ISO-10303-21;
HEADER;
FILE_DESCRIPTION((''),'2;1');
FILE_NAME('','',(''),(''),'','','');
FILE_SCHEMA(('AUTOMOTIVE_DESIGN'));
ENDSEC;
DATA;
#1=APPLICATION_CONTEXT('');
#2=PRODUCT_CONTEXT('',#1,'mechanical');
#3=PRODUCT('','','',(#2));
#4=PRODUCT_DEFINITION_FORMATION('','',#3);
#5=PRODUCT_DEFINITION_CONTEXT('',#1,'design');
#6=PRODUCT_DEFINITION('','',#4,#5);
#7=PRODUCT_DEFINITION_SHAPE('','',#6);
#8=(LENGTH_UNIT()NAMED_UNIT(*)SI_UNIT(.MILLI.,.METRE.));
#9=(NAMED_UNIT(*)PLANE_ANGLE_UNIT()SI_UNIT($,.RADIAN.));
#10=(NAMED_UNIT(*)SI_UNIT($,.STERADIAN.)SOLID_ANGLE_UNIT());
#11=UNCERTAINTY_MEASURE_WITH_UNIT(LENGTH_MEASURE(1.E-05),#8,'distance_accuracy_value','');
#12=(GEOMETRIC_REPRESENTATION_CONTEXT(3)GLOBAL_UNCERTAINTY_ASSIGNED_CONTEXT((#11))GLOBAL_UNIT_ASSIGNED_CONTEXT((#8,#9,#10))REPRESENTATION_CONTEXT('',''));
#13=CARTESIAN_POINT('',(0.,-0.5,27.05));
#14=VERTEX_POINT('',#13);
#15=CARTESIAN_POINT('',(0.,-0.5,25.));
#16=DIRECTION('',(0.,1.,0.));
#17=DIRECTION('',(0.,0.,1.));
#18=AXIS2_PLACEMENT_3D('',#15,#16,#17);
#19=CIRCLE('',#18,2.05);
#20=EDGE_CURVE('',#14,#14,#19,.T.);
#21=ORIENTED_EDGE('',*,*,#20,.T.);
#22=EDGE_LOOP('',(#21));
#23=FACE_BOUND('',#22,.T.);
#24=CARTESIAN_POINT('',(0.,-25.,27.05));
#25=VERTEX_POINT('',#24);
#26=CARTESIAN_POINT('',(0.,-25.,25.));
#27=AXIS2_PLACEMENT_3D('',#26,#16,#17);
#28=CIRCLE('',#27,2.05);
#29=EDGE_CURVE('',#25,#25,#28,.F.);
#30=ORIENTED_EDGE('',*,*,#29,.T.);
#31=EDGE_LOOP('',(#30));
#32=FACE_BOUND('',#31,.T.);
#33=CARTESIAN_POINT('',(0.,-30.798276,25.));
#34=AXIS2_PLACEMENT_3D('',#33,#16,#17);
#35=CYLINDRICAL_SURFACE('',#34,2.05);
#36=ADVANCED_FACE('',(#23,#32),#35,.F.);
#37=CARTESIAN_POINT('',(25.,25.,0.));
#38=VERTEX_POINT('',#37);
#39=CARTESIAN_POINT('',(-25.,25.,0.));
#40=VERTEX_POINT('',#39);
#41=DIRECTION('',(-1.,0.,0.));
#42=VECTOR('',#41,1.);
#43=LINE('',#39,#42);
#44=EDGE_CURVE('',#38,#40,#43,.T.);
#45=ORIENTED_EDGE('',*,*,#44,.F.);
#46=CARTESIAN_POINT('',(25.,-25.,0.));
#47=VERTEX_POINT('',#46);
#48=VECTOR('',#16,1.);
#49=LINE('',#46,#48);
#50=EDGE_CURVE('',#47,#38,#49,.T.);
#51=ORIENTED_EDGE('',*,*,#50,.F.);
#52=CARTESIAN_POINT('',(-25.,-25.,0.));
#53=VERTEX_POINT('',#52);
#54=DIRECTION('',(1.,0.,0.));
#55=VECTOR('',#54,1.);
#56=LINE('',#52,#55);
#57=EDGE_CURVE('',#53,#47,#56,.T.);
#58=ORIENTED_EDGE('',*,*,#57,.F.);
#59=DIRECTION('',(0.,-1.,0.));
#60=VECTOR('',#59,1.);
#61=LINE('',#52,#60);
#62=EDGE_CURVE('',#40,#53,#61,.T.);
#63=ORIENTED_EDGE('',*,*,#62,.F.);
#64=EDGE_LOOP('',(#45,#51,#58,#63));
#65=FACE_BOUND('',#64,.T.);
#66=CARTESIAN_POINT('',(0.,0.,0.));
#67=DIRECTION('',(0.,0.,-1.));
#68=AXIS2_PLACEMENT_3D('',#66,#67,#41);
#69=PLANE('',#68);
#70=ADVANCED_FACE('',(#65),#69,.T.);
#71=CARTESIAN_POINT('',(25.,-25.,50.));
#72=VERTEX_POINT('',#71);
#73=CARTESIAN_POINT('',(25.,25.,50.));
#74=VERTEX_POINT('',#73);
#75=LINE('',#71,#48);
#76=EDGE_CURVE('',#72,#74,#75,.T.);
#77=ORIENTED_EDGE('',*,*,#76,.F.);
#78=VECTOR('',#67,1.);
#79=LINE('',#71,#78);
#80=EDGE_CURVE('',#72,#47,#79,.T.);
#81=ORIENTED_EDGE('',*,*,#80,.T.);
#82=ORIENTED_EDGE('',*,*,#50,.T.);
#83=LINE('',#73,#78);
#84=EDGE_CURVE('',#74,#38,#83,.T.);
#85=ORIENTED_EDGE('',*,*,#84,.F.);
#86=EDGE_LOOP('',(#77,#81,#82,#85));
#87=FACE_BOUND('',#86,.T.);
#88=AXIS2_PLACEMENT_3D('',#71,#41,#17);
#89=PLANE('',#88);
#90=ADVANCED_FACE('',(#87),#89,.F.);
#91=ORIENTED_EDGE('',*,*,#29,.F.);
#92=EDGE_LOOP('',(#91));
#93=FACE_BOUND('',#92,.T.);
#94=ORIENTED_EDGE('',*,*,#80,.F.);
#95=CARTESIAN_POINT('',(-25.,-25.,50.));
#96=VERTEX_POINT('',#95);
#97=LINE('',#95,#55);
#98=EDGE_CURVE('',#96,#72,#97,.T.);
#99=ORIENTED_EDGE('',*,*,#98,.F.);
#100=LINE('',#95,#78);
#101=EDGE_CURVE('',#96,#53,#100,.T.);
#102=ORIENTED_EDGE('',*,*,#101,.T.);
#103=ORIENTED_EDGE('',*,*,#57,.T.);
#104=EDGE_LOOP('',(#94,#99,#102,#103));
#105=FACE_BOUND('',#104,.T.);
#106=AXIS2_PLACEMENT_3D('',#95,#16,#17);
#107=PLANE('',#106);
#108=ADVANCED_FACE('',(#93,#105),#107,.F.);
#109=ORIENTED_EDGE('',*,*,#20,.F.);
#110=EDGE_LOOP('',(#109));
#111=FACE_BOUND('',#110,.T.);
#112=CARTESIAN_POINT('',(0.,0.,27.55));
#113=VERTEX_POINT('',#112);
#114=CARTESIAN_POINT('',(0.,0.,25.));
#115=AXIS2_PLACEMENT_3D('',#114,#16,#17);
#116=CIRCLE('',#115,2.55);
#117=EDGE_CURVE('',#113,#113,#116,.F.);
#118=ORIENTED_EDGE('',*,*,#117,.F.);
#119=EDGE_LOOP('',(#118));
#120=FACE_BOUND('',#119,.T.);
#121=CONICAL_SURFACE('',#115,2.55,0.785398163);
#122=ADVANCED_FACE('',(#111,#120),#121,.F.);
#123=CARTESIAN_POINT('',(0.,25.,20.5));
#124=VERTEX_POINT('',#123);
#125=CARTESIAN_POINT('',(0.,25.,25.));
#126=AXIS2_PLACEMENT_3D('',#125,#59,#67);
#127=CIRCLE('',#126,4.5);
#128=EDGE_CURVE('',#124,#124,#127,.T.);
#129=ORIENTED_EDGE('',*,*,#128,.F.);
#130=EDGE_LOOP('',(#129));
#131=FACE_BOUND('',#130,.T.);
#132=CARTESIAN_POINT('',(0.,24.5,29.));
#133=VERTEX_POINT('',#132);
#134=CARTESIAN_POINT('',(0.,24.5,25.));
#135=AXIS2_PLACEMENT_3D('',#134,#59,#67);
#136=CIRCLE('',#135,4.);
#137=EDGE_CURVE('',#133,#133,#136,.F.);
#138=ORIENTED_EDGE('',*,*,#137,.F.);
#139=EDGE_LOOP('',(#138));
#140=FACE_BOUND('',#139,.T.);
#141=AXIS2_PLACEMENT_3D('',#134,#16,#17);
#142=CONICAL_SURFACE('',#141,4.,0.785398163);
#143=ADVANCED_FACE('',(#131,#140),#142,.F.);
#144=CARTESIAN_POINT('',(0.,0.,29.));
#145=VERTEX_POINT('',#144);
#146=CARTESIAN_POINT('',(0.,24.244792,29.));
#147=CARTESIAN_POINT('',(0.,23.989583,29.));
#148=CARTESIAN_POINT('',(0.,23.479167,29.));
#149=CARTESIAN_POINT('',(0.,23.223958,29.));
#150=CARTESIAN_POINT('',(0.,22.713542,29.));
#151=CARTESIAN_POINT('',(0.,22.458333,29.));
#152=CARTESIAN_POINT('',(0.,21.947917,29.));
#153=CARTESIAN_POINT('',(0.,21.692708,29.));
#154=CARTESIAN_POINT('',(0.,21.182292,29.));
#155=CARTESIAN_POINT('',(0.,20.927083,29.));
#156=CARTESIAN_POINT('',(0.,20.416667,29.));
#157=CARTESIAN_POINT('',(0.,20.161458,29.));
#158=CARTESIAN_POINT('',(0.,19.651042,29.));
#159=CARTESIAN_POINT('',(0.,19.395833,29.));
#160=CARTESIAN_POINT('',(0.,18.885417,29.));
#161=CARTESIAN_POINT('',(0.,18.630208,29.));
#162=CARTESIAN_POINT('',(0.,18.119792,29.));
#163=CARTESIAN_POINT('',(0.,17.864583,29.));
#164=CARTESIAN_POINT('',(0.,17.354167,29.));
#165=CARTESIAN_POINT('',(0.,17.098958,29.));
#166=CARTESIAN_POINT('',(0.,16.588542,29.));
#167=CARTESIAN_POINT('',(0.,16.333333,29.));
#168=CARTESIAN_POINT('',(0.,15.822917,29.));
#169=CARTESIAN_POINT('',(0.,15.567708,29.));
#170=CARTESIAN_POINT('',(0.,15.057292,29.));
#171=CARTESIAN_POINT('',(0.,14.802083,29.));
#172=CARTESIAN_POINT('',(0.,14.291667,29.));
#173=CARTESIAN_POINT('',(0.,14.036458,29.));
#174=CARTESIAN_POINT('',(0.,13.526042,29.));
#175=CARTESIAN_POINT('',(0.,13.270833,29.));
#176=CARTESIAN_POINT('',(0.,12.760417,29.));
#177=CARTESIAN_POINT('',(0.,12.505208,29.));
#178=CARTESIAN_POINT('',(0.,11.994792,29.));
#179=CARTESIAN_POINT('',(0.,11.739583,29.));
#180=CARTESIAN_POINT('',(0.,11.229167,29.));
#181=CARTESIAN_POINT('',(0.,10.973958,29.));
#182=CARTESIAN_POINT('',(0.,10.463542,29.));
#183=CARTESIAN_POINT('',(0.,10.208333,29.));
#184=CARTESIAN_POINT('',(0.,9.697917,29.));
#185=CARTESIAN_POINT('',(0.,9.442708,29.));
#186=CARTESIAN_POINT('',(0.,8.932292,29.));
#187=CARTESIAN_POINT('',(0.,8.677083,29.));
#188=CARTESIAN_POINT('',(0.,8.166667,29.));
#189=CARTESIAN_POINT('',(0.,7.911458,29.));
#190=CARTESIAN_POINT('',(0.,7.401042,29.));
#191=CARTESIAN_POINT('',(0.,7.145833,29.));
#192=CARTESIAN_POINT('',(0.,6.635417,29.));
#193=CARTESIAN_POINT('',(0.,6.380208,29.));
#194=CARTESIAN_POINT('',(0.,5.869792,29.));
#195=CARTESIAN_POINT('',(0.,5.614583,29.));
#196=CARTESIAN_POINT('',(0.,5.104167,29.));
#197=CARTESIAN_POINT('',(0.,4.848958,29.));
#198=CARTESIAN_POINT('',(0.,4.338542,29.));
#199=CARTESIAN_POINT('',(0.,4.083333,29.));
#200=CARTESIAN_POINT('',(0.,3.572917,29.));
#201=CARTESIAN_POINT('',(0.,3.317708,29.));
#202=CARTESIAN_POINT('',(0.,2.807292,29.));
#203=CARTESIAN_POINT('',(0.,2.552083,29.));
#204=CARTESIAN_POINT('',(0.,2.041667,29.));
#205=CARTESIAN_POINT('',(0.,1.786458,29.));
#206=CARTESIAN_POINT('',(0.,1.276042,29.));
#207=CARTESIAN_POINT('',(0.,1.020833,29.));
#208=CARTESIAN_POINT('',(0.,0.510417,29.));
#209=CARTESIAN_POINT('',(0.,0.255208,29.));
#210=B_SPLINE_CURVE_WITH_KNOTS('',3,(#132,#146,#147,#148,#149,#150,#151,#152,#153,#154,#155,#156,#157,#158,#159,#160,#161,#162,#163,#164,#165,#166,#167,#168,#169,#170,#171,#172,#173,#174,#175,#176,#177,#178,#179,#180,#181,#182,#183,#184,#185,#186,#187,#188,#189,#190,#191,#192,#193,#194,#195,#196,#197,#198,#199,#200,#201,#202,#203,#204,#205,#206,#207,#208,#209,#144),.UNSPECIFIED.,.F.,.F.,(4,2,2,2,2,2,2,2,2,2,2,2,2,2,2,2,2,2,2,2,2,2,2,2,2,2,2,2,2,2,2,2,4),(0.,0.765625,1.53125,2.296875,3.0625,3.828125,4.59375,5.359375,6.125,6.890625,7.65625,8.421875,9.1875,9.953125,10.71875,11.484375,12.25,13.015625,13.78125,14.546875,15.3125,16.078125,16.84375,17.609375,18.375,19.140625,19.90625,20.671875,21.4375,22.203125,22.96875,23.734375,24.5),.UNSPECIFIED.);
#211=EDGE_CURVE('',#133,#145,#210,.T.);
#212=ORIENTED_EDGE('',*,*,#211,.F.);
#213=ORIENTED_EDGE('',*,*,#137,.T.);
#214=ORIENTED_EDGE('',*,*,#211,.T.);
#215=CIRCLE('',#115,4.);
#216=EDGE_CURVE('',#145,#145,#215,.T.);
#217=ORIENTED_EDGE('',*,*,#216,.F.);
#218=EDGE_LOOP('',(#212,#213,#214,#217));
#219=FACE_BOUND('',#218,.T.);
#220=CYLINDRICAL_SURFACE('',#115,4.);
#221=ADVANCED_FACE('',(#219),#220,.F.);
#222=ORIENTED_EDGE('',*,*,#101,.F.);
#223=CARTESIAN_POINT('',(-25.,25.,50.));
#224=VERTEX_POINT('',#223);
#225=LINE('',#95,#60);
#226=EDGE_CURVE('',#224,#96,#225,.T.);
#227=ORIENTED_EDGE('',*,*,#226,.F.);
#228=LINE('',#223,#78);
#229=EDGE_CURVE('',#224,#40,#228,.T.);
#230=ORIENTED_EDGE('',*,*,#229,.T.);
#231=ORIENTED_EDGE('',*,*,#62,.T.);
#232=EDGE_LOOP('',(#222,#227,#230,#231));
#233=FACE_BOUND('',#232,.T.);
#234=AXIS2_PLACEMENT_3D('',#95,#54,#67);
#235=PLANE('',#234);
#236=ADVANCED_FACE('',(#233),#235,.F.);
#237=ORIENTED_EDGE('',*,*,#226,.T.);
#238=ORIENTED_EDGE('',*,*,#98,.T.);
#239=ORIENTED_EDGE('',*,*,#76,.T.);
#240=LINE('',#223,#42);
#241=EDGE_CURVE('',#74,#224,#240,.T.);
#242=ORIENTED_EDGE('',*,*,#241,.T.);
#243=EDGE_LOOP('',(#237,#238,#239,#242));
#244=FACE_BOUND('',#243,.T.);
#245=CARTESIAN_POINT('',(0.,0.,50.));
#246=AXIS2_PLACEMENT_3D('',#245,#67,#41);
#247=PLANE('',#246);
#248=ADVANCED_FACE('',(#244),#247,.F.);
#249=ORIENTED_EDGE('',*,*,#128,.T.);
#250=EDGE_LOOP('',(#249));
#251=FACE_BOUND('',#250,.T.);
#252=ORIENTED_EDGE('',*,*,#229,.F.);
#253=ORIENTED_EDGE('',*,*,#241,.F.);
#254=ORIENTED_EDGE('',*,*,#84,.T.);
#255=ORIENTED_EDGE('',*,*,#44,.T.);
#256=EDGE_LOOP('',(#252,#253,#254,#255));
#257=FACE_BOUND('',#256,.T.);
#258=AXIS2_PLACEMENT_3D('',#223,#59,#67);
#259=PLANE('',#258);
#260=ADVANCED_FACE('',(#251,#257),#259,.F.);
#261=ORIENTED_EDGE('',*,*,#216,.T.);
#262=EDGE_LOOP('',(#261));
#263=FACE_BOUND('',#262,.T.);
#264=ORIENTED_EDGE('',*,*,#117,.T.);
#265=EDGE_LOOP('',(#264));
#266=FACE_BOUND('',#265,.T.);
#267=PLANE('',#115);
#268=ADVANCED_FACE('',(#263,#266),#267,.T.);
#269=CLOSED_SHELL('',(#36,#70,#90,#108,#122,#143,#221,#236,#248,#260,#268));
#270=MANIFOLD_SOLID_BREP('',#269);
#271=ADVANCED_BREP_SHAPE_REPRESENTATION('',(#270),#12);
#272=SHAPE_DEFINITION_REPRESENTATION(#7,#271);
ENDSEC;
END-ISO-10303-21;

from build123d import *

# Parameters (mm, degrees)
SKICA1_W                 = 50
SKICA1_H                 = 50
P_IDAT_VYSUNUT_M1_DEPTH  = 50
SKICA2_R                 = 2.05
ODEBRAT_VYSUNUT_M1_DEPTH = 50
SKICA3_R                 = 4
ODEBRAT_VYSUNUT_M2_DEPTH = 25
ZKOSEN_1_SIZE            = 0.5
ZKOSEN_2_SIZE            = 0.5


with BuildPart() as part:
    # Skica1 → Přidat vysunutím1 (new body)
    with BuildSketch(Plane.XY):
        Rectangle(SKICA1_W, SKICA1_H)
    extrude(amount=P_IDAT_VYSUNUT_M1_DEPTH)

    # Skica2 → Odebrat vysunutím1 (cut)
    with BuildSketch(Plane(origin=(0, 25, 0), x_dir=(1, 0, 0), z_dir=(0, 1, 0))):
        with Locations(Location((0, -25, 0), (0, 0, 270))):
            Circle(SKICA2_R)
    extrude(amount=-ODEBRAT_VYSUNUT_M1_DEPTH, mode=Mode.SUBTRACT)

    # Skica3 → Odebrat vysunutím2 (cut)
    with BuildSketch(Plane(origin=(0, 25, 0), x_dir=(1, 0, 0), z_dir=(0, 1, 0))):
        with Locations(Location((0, -25, 0), (0, 0, 270))):
            Circle(SKICA3_R)
    extrude(amount=-ODEBRAT_VYSUNUT_M2_DEPTH, mode=Mode.SUBTRACT)

    # Zkosení1
    zkosen_1_edges = [part.edges().sort_by_distance(p)[0] for p in [
        (0, 25, 21),
    ]]
    chamfer(zkosen_1_edges, length=ZKOSEN_1_SIZE)

    # Zkosení2
    zkosen_2_edges = [part.edges().sort_by_distance(p)[0] for p in [
        (0, 0, 22.95),
    ]]
    chamfer(zkosen_2_edges, length=ZKOSEN_2_SIZE)


solid = part.part
